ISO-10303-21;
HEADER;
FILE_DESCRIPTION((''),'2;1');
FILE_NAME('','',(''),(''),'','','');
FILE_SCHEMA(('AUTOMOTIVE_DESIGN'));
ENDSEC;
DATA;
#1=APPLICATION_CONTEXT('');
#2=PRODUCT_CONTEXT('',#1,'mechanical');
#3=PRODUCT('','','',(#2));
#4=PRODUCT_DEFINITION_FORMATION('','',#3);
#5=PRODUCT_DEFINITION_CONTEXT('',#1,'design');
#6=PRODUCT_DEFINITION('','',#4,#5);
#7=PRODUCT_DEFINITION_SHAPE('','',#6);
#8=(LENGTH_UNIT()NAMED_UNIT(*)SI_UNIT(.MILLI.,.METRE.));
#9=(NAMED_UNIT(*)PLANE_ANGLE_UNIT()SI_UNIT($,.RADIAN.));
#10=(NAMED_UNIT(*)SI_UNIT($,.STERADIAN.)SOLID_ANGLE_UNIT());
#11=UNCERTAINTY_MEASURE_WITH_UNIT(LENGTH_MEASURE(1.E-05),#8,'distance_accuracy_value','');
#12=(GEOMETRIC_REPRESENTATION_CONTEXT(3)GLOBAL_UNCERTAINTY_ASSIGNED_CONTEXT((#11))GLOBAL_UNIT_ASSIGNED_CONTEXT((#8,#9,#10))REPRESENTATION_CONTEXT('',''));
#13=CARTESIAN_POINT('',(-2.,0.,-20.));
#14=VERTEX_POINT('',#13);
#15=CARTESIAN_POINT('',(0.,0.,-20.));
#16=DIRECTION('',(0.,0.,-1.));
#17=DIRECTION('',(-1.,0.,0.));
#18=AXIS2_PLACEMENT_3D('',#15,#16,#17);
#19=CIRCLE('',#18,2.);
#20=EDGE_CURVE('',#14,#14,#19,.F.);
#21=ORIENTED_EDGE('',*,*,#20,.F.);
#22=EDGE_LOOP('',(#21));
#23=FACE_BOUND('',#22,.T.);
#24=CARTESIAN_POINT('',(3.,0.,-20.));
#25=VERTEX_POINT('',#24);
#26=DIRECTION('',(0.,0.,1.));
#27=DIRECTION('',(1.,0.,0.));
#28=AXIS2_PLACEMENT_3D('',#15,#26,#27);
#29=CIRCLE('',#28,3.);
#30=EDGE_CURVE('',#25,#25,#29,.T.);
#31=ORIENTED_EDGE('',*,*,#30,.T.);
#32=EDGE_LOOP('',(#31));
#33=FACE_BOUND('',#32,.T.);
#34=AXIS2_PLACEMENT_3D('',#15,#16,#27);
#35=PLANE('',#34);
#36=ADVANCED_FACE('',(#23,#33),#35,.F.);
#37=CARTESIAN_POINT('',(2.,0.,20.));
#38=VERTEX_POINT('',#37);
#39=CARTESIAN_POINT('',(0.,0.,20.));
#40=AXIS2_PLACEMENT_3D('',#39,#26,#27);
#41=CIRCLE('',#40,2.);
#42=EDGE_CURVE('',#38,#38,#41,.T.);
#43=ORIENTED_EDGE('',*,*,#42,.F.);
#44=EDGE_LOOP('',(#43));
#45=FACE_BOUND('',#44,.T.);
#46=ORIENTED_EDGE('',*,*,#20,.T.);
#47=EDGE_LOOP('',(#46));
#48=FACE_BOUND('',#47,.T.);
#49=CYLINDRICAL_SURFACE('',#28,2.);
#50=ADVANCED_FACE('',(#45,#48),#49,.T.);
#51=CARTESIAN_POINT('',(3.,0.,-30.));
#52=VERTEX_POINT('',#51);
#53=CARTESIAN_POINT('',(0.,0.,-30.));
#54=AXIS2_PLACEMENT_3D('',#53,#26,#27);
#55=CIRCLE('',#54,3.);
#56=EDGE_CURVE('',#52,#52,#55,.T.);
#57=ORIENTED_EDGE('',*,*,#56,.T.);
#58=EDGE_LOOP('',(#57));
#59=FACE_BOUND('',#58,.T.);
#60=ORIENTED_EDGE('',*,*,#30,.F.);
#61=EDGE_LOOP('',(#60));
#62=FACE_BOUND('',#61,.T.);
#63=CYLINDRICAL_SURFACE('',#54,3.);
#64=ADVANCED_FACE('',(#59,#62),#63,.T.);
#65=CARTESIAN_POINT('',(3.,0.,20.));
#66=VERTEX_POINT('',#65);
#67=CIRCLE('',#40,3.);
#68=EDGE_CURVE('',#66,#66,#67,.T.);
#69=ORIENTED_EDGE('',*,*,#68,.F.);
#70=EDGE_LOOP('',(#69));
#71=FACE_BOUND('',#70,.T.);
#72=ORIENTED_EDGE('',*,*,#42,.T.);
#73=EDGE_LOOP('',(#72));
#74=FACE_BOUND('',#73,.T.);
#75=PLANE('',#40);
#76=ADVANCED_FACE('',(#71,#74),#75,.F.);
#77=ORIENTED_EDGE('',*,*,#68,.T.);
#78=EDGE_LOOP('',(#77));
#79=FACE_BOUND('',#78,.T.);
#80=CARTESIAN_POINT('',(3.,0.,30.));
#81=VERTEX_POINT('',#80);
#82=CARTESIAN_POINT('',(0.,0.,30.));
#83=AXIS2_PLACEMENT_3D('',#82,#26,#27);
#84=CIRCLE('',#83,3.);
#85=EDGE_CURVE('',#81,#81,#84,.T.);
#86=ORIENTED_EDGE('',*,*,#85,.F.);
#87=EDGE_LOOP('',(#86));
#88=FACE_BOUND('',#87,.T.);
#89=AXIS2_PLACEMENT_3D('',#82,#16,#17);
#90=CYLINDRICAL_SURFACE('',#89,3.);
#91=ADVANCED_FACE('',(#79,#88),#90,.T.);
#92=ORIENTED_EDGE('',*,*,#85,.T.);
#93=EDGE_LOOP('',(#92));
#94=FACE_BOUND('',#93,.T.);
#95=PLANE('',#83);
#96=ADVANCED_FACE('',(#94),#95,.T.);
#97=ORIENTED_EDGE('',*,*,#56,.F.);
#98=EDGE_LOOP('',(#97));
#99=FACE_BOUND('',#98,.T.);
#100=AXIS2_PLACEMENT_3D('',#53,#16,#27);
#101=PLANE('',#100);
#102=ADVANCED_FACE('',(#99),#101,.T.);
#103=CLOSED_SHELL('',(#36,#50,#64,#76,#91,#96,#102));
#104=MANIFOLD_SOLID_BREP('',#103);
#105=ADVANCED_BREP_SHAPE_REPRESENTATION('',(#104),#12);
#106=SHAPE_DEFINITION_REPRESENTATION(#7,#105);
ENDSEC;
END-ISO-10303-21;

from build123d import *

# Parameters (mm, degrees)
BOSS_EXTRUDE1_DEPTH      = 20
BOSS_EXTRUDE1_DEPTH_BACK = 20
SKETCH1_R                = 2
SKETCH2_R                = 3
BOSS_EXTRUDE2_DEPTH      = 10


with BuildPart() as part:
    # Sketch1 → Boss-Extrude1 (new, two sides: drawn at the far end of the back side and taken through both)
    with BuildSketch(Plane.XY.offset(-BOSS_EXTRUDE1_DEPTH_BACK)):
        Circle(SKETCH1_R)
    extrude(amount=BOSS_EXTRUDE1_DEPTH + BOSS_EXTRUDE1_DEPTH_BACK)

    # Sketch2 → Boss-Extrude2 (add)
    with BuildSketch(Plane.XY.offset(20)):
        Circle(SKETCH2_R)
    boss_extrude2 = extrude(amount=BOSS_EXTRUDE2_DEPTH)

    # Mirror1: Boss-Extrude2 across plane
    add(boss_extrude2.mirror(Plane.XY))


solid = part.part
